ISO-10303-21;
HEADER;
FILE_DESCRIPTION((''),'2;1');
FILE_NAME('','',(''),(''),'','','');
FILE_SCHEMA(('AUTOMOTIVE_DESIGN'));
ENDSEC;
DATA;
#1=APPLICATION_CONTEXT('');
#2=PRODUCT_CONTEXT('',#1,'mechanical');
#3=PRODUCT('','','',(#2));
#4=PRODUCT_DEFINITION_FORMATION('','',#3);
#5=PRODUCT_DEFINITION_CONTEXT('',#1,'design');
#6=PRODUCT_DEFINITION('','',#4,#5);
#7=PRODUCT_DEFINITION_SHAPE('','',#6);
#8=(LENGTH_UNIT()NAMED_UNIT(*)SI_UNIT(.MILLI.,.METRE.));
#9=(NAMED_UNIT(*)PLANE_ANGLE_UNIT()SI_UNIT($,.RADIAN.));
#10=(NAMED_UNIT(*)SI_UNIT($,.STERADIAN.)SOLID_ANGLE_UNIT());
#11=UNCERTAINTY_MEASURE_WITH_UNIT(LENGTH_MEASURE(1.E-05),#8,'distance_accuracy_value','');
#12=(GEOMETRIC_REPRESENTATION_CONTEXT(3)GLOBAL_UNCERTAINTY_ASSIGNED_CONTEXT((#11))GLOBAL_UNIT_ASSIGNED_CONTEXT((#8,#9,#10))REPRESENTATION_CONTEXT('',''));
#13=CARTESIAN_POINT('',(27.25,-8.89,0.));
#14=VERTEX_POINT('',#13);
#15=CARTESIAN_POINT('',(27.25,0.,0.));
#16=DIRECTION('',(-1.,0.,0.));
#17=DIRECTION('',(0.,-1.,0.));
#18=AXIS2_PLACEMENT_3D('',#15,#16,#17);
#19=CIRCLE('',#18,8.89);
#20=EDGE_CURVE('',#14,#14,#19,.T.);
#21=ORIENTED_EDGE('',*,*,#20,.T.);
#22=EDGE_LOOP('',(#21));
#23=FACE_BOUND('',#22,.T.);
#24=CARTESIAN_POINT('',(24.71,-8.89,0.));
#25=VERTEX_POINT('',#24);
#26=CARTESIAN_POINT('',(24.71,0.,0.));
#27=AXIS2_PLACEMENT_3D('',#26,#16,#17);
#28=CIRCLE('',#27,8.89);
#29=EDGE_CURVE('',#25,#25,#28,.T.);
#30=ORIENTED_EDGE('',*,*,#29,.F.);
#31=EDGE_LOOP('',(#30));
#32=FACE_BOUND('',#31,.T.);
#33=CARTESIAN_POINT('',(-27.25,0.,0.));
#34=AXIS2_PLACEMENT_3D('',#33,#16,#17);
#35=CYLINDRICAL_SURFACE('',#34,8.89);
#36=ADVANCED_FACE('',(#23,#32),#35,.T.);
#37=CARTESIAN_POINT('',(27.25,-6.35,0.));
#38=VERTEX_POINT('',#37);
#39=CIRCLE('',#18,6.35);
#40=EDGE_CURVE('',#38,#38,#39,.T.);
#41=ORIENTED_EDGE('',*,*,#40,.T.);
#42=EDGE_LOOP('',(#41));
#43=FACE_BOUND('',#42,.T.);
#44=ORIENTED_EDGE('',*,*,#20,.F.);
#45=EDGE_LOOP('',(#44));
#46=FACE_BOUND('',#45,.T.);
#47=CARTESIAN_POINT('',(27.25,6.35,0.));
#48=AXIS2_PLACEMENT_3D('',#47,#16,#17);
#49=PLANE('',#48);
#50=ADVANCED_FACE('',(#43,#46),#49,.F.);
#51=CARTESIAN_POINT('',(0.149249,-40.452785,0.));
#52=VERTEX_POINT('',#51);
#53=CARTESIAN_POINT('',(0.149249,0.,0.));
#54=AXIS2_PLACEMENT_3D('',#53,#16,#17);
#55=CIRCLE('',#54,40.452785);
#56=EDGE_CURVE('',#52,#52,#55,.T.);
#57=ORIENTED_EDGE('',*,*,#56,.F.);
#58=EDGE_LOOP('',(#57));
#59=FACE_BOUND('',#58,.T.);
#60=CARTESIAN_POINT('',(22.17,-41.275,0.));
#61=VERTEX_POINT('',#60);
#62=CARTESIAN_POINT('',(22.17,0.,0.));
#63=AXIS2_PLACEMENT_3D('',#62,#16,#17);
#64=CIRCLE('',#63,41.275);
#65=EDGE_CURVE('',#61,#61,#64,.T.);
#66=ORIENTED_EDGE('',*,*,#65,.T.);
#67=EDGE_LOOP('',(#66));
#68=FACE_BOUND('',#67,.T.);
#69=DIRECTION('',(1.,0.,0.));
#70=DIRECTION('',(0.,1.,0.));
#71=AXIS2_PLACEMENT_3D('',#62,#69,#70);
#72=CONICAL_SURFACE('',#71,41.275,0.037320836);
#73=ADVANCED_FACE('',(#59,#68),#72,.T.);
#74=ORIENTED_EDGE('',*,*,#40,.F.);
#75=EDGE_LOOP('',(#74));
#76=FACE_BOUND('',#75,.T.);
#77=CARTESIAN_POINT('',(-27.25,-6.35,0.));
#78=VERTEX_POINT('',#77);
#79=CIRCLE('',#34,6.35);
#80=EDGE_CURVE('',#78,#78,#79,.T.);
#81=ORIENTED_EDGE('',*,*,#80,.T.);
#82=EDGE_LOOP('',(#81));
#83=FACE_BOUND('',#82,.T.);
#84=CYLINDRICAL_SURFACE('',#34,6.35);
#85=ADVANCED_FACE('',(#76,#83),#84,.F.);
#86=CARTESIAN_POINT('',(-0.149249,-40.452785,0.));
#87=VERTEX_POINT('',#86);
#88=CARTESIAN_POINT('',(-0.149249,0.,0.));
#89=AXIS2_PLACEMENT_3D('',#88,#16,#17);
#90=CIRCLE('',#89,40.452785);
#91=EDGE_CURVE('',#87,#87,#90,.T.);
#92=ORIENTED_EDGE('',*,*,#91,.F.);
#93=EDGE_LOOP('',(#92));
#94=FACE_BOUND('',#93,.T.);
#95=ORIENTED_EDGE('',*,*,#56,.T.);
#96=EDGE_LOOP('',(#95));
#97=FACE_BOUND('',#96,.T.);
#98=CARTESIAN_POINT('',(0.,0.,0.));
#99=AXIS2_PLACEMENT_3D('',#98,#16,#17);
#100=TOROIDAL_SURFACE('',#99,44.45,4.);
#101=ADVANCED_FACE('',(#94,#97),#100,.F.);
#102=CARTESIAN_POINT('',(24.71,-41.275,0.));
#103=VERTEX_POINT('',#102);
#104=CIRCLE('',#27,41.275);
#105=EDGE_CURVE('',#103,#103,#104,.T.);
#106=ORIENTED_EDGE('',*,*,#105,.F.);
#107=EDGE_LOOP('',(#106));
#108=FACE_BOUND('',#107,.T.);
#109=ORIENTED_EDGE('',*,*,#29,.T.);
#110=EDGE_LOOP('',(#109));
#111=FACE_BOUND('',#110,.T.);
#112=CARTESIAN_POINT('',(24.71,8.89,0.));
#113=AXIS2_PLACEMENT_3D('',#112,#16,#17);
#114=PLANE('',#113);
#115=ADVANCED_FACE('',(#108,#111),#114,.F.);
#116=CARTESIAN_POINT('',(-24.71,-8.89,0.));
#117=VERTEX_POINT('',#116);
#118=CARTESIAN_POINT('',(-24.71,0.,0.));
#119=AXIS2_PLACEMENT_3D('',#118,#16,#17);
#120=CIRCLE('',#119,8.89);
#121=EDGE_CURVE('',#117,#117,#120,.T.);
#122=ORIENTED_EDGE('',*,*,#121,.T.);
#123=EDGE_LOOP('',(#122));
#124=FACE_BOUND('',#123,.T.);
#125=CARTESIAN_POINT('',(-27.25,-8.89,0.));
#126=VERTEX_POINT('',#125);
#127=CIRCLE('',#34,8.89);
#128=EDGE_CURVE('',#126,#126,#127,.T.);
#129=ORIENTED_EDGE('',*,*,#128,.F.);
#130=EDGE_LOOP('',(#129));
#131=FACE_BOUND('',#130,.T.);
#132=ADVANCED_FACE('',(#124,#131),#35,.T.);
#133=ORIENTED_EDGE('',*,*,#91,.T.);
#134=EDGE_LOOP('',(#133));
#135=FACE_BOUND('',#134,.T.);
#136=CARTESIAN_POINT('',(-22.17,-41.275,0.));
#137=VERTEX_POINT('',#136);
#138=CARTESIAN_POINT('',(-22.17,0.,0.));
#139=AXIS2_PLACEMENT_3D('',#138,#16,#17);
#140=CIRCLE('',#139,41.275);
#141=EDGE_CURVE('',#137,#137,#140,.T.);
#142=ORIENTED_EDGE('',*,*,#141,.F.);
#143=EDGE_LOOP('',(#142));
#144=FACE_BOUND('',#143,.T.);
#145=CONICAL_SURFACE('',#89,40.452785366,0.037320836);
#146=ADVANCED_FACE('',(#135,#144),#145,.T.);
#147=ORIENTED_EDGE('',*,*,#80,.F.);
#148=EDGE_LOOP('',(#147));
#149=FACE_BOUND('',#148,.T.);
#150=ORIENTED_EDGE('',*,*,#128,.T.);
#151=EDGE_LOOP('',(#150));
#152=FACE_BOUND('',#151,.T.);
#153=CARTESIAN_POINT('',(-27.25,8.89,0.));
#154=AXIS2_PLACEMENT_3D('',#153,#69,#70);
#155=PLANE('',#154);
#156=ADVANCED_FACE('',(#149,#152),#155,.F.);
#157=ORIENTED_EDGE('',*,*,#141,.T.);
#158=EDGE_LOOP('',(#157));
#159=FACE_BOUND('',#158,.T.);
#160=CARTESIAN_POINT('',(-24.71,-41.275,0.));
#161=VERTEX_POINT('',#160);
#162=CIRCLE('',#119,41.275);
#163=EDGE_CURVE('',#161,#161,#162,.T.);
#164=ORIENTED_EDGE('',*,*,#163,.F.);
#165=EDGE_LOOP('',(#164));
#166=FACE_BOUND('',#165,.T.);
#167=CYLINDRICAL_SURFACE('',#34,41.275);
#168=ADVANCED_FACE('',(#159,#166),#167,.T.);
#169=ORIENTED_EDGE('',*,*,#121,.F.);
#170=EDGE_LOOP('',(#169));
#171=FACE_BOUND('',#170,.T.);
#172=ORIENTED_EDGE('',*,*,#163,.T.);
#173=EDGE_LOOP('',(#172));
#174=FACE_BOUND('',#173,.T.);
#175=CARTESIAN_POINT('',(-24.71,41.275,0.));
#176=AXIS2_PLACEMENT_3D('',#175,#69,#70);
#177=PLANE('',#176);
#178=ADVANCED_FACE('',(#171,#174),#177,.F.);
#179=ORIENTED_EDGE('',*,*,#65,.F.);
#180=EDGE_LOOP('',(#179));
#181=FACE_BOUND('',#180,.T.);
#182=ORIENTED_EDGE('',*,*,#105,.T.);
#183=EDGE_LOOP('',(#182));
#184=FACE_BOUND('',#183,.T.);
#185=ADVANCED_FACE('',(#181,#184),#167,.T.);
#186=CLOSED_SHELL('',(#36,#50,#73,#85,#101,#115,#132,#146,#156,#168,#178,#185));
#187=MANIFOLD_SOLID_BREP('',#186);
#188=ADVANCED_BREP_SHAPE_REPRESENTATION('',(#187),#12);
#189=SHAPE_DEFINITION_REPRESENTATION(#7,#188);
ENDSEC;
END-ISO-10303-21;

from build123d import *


with BuildPart() as part:
    # Sketch1 → Revolve1 (revolve)
    with BuildSketch(Plane.XY):
        with BuildLine():
            Line((-27.25, 6.35), (27.25, 6.35))
            Line((27.25, 6.35), (27.25, 8.89))
            Line((27.25, 8.89), (24.71, 8.89))
            Line((24.71, 8.89), (24.71, 41.275))
            Line((24.71, 41.275), (22.17, 41.275))
            Line((22.17, 41.275), (0.149248694, 40.452785366))
            ThreePointArc((0.149248694, 40.452785366), (0, 40.45), (-0.149248694, 40.452785366))
            Line((-0.149248694, 40.452785366), (-22.17, 41.275))
            Line((-22.17, 41.275), (-24.71, 41.275))
            Line((-24.71, 41.275), (-24.71, 8.89))
            Line((-24.71, 8.89), (-27.25, 8.89))
            Line((-27.25, 8.89), (-27.25, 6.35))
        make_face()
    revolve(axis=Axis((-27.25, 0, 0), (1, 0, 0)))


solid = part.part
